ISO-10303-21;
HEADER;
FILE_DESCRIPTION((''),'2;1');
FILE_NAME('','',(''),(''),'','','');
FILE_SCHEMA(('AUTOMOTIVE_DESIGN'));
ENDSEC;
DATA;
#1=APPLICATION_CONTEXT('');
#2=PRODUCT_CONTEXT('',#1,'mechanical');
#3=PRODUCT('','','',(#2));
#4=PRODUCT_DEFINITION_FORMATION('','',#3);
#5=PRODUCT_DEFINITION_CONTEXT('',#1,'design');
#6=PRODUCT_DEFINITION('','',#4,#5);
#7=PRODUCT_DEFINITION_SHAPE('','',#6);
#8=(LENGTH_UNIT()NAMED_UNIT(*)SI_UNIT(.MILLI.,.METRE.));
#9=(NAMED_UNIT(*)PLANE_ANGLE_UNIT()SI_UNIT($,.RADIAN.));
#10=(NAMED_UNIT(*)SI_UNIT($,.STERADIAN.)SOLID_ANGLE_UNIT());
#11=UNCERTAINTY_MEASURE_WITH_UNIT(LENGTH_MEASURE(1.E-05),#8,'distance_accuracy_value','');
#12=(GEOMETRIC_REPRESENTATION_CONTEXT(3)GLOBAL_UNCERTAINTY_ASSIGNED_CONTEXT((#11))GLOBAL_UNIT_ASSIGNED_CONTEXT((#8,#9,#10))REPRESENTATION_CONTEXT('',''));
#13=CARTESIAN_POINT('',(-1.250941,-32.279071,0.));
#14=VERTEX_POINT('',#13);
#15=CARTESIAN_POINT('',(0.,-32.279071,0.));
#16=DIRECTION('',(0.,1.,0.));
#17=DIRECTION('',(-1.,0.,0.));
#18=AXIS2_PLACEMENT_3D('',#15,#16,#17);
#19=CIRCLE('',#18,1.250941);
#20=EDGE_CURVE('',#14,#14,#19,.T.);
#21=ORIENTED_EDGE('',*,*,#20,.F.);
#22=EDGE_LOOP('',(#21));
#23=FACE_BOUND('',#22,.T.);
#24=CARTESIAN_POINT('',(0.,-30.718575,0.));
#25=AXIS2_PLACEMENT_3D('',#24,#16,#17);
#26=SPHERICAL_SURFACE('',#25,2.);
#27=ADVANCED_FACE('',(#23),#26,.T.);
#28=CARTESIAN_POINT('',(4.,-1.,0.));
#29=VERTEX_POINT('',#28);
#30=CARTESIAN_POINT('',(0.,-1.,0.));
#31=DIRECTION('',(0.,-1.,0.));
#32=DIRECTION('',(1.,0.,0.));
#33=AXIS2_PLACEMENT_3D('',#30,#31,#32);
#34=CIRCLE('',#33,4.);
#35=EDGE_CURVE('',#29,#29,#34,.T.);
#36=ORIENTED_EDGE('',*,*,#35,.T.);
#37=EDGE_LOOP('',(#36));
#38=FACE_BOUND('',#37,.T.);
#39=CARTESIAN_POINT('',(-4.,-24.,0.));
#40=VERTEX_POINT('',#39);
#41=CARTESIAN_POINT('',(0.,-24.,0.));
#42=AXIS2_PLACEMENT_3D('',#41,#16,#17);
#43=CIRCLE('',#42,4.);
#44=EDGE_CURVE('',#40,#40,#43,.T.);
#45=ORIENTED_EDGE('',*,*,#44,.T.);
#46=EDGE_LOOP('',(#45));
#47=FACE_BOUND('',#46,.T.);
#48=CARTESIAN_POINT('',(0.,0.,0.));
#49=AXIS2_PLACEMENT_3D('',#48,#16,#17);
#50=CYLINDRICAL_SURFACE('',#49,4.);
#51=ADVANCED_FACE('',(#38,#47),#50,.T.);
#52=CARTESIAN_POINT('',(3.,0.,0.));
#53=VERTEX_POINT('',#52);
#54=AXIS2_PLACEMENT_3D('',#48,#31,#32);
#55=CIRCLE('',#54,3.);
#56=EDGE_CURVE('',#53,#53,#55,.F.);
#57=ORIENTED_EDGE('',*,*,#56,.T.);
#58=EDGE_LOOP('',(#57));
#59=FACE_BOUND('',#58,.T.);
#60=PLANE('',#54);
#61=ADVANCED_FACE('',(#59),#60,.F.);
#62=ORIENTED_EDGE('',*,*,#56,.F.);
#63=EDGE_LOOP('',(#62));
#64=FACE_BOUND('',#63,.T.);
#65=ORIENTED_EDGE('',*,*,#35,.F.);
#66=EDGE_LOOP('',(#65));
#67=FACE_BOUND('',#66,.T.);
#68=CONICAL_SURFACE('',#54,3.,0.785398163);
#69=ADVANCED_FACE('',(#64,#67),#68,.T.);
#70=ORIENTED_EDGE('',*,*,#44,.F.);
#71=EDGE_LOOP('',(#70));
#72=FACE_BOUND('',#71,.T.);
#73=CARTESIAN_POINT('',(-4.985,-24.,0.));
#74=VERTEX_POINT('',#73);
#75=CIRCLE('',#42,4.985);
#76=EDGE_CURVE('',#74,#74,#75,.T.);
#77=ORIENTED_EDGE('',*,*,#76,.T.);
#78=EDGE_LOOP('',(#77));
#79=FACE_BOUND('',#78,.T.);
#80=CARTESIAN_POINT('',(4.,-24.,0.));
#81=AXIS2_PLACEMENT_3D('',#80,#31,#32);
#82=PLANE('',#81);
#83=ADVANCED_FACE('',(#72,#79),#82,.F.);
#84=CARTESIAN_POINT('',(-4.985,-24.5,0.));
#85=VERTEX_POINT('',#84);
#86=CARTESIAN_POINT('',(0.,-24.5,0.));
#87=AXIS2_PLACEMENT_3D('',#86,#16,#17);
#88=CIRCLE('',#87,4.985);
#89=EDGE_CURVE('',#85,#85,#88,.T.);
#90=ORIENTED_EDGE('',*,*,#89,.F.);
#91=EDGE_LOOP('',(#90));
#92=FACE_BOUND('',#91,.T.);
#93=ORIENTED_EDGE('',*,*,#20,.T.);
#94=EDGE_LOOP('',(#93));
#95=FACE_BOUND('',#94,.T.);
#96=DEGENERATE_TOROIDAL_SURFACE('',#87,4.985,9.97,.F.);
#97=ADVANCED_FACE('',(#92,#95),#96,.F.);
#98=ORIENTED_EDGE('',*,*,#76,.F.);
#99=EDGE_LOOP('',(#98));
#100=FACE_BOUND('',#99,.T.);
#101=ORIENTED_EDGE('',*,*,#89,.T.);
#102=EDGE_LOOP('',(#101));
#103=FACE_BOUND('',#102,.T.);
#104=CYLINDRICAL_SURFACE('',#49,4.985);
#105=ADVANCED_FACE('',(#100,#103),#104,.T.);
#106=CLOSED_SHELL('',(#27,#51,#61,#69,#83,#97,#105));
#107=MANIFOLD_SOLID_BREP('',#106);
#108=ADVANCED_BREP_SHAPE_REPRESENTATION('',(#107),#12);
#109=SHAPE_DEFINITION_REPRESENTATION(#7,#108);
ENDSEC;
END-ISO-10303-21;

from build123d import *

# Parameters (mm, degrees)
CHAMFER1_SIZE = 1


with BuildPart() as part:
    # Sketch1 → Revolve1 (revolve)
    with BuildSketch(Plane.XY, mode=Mode.PRIVATE) as revolve1_sk:
        with BuildLine():
            Line((0, 0), (4, 0))
            Line((4, 0), (4, -24))
            Line((4, -24), (4.985, -24))
            Line((4.985, -24), (4.985, -24.5))
            ThreePointArc((4.985, -24.5), (4.003137517, -28.814427421), (1.250941029, -32.279070605))
            ThreePointArc((1.250941029, -32.279070605), (0.662951274, -32.605502555), (0, -32.718574998))
            Line((0, -32.718574998), (0, 0))
        make_face()
    revolve(revolve1_sk.sketch.rotate(Axis((0, 0, 0), (0, -1, 0)), 180), axis=Axis((0, 0, 0), (0, -1, 0)))

    # Chamfer1
    chamfer1_edges = [part.edges().sort_by_distance(p)[0] for p in [
        (4, 0, 0),
    ]]
    chamfer(chamfer1_edges, length=CHAMFER1_SIZE)


solid = part.part
